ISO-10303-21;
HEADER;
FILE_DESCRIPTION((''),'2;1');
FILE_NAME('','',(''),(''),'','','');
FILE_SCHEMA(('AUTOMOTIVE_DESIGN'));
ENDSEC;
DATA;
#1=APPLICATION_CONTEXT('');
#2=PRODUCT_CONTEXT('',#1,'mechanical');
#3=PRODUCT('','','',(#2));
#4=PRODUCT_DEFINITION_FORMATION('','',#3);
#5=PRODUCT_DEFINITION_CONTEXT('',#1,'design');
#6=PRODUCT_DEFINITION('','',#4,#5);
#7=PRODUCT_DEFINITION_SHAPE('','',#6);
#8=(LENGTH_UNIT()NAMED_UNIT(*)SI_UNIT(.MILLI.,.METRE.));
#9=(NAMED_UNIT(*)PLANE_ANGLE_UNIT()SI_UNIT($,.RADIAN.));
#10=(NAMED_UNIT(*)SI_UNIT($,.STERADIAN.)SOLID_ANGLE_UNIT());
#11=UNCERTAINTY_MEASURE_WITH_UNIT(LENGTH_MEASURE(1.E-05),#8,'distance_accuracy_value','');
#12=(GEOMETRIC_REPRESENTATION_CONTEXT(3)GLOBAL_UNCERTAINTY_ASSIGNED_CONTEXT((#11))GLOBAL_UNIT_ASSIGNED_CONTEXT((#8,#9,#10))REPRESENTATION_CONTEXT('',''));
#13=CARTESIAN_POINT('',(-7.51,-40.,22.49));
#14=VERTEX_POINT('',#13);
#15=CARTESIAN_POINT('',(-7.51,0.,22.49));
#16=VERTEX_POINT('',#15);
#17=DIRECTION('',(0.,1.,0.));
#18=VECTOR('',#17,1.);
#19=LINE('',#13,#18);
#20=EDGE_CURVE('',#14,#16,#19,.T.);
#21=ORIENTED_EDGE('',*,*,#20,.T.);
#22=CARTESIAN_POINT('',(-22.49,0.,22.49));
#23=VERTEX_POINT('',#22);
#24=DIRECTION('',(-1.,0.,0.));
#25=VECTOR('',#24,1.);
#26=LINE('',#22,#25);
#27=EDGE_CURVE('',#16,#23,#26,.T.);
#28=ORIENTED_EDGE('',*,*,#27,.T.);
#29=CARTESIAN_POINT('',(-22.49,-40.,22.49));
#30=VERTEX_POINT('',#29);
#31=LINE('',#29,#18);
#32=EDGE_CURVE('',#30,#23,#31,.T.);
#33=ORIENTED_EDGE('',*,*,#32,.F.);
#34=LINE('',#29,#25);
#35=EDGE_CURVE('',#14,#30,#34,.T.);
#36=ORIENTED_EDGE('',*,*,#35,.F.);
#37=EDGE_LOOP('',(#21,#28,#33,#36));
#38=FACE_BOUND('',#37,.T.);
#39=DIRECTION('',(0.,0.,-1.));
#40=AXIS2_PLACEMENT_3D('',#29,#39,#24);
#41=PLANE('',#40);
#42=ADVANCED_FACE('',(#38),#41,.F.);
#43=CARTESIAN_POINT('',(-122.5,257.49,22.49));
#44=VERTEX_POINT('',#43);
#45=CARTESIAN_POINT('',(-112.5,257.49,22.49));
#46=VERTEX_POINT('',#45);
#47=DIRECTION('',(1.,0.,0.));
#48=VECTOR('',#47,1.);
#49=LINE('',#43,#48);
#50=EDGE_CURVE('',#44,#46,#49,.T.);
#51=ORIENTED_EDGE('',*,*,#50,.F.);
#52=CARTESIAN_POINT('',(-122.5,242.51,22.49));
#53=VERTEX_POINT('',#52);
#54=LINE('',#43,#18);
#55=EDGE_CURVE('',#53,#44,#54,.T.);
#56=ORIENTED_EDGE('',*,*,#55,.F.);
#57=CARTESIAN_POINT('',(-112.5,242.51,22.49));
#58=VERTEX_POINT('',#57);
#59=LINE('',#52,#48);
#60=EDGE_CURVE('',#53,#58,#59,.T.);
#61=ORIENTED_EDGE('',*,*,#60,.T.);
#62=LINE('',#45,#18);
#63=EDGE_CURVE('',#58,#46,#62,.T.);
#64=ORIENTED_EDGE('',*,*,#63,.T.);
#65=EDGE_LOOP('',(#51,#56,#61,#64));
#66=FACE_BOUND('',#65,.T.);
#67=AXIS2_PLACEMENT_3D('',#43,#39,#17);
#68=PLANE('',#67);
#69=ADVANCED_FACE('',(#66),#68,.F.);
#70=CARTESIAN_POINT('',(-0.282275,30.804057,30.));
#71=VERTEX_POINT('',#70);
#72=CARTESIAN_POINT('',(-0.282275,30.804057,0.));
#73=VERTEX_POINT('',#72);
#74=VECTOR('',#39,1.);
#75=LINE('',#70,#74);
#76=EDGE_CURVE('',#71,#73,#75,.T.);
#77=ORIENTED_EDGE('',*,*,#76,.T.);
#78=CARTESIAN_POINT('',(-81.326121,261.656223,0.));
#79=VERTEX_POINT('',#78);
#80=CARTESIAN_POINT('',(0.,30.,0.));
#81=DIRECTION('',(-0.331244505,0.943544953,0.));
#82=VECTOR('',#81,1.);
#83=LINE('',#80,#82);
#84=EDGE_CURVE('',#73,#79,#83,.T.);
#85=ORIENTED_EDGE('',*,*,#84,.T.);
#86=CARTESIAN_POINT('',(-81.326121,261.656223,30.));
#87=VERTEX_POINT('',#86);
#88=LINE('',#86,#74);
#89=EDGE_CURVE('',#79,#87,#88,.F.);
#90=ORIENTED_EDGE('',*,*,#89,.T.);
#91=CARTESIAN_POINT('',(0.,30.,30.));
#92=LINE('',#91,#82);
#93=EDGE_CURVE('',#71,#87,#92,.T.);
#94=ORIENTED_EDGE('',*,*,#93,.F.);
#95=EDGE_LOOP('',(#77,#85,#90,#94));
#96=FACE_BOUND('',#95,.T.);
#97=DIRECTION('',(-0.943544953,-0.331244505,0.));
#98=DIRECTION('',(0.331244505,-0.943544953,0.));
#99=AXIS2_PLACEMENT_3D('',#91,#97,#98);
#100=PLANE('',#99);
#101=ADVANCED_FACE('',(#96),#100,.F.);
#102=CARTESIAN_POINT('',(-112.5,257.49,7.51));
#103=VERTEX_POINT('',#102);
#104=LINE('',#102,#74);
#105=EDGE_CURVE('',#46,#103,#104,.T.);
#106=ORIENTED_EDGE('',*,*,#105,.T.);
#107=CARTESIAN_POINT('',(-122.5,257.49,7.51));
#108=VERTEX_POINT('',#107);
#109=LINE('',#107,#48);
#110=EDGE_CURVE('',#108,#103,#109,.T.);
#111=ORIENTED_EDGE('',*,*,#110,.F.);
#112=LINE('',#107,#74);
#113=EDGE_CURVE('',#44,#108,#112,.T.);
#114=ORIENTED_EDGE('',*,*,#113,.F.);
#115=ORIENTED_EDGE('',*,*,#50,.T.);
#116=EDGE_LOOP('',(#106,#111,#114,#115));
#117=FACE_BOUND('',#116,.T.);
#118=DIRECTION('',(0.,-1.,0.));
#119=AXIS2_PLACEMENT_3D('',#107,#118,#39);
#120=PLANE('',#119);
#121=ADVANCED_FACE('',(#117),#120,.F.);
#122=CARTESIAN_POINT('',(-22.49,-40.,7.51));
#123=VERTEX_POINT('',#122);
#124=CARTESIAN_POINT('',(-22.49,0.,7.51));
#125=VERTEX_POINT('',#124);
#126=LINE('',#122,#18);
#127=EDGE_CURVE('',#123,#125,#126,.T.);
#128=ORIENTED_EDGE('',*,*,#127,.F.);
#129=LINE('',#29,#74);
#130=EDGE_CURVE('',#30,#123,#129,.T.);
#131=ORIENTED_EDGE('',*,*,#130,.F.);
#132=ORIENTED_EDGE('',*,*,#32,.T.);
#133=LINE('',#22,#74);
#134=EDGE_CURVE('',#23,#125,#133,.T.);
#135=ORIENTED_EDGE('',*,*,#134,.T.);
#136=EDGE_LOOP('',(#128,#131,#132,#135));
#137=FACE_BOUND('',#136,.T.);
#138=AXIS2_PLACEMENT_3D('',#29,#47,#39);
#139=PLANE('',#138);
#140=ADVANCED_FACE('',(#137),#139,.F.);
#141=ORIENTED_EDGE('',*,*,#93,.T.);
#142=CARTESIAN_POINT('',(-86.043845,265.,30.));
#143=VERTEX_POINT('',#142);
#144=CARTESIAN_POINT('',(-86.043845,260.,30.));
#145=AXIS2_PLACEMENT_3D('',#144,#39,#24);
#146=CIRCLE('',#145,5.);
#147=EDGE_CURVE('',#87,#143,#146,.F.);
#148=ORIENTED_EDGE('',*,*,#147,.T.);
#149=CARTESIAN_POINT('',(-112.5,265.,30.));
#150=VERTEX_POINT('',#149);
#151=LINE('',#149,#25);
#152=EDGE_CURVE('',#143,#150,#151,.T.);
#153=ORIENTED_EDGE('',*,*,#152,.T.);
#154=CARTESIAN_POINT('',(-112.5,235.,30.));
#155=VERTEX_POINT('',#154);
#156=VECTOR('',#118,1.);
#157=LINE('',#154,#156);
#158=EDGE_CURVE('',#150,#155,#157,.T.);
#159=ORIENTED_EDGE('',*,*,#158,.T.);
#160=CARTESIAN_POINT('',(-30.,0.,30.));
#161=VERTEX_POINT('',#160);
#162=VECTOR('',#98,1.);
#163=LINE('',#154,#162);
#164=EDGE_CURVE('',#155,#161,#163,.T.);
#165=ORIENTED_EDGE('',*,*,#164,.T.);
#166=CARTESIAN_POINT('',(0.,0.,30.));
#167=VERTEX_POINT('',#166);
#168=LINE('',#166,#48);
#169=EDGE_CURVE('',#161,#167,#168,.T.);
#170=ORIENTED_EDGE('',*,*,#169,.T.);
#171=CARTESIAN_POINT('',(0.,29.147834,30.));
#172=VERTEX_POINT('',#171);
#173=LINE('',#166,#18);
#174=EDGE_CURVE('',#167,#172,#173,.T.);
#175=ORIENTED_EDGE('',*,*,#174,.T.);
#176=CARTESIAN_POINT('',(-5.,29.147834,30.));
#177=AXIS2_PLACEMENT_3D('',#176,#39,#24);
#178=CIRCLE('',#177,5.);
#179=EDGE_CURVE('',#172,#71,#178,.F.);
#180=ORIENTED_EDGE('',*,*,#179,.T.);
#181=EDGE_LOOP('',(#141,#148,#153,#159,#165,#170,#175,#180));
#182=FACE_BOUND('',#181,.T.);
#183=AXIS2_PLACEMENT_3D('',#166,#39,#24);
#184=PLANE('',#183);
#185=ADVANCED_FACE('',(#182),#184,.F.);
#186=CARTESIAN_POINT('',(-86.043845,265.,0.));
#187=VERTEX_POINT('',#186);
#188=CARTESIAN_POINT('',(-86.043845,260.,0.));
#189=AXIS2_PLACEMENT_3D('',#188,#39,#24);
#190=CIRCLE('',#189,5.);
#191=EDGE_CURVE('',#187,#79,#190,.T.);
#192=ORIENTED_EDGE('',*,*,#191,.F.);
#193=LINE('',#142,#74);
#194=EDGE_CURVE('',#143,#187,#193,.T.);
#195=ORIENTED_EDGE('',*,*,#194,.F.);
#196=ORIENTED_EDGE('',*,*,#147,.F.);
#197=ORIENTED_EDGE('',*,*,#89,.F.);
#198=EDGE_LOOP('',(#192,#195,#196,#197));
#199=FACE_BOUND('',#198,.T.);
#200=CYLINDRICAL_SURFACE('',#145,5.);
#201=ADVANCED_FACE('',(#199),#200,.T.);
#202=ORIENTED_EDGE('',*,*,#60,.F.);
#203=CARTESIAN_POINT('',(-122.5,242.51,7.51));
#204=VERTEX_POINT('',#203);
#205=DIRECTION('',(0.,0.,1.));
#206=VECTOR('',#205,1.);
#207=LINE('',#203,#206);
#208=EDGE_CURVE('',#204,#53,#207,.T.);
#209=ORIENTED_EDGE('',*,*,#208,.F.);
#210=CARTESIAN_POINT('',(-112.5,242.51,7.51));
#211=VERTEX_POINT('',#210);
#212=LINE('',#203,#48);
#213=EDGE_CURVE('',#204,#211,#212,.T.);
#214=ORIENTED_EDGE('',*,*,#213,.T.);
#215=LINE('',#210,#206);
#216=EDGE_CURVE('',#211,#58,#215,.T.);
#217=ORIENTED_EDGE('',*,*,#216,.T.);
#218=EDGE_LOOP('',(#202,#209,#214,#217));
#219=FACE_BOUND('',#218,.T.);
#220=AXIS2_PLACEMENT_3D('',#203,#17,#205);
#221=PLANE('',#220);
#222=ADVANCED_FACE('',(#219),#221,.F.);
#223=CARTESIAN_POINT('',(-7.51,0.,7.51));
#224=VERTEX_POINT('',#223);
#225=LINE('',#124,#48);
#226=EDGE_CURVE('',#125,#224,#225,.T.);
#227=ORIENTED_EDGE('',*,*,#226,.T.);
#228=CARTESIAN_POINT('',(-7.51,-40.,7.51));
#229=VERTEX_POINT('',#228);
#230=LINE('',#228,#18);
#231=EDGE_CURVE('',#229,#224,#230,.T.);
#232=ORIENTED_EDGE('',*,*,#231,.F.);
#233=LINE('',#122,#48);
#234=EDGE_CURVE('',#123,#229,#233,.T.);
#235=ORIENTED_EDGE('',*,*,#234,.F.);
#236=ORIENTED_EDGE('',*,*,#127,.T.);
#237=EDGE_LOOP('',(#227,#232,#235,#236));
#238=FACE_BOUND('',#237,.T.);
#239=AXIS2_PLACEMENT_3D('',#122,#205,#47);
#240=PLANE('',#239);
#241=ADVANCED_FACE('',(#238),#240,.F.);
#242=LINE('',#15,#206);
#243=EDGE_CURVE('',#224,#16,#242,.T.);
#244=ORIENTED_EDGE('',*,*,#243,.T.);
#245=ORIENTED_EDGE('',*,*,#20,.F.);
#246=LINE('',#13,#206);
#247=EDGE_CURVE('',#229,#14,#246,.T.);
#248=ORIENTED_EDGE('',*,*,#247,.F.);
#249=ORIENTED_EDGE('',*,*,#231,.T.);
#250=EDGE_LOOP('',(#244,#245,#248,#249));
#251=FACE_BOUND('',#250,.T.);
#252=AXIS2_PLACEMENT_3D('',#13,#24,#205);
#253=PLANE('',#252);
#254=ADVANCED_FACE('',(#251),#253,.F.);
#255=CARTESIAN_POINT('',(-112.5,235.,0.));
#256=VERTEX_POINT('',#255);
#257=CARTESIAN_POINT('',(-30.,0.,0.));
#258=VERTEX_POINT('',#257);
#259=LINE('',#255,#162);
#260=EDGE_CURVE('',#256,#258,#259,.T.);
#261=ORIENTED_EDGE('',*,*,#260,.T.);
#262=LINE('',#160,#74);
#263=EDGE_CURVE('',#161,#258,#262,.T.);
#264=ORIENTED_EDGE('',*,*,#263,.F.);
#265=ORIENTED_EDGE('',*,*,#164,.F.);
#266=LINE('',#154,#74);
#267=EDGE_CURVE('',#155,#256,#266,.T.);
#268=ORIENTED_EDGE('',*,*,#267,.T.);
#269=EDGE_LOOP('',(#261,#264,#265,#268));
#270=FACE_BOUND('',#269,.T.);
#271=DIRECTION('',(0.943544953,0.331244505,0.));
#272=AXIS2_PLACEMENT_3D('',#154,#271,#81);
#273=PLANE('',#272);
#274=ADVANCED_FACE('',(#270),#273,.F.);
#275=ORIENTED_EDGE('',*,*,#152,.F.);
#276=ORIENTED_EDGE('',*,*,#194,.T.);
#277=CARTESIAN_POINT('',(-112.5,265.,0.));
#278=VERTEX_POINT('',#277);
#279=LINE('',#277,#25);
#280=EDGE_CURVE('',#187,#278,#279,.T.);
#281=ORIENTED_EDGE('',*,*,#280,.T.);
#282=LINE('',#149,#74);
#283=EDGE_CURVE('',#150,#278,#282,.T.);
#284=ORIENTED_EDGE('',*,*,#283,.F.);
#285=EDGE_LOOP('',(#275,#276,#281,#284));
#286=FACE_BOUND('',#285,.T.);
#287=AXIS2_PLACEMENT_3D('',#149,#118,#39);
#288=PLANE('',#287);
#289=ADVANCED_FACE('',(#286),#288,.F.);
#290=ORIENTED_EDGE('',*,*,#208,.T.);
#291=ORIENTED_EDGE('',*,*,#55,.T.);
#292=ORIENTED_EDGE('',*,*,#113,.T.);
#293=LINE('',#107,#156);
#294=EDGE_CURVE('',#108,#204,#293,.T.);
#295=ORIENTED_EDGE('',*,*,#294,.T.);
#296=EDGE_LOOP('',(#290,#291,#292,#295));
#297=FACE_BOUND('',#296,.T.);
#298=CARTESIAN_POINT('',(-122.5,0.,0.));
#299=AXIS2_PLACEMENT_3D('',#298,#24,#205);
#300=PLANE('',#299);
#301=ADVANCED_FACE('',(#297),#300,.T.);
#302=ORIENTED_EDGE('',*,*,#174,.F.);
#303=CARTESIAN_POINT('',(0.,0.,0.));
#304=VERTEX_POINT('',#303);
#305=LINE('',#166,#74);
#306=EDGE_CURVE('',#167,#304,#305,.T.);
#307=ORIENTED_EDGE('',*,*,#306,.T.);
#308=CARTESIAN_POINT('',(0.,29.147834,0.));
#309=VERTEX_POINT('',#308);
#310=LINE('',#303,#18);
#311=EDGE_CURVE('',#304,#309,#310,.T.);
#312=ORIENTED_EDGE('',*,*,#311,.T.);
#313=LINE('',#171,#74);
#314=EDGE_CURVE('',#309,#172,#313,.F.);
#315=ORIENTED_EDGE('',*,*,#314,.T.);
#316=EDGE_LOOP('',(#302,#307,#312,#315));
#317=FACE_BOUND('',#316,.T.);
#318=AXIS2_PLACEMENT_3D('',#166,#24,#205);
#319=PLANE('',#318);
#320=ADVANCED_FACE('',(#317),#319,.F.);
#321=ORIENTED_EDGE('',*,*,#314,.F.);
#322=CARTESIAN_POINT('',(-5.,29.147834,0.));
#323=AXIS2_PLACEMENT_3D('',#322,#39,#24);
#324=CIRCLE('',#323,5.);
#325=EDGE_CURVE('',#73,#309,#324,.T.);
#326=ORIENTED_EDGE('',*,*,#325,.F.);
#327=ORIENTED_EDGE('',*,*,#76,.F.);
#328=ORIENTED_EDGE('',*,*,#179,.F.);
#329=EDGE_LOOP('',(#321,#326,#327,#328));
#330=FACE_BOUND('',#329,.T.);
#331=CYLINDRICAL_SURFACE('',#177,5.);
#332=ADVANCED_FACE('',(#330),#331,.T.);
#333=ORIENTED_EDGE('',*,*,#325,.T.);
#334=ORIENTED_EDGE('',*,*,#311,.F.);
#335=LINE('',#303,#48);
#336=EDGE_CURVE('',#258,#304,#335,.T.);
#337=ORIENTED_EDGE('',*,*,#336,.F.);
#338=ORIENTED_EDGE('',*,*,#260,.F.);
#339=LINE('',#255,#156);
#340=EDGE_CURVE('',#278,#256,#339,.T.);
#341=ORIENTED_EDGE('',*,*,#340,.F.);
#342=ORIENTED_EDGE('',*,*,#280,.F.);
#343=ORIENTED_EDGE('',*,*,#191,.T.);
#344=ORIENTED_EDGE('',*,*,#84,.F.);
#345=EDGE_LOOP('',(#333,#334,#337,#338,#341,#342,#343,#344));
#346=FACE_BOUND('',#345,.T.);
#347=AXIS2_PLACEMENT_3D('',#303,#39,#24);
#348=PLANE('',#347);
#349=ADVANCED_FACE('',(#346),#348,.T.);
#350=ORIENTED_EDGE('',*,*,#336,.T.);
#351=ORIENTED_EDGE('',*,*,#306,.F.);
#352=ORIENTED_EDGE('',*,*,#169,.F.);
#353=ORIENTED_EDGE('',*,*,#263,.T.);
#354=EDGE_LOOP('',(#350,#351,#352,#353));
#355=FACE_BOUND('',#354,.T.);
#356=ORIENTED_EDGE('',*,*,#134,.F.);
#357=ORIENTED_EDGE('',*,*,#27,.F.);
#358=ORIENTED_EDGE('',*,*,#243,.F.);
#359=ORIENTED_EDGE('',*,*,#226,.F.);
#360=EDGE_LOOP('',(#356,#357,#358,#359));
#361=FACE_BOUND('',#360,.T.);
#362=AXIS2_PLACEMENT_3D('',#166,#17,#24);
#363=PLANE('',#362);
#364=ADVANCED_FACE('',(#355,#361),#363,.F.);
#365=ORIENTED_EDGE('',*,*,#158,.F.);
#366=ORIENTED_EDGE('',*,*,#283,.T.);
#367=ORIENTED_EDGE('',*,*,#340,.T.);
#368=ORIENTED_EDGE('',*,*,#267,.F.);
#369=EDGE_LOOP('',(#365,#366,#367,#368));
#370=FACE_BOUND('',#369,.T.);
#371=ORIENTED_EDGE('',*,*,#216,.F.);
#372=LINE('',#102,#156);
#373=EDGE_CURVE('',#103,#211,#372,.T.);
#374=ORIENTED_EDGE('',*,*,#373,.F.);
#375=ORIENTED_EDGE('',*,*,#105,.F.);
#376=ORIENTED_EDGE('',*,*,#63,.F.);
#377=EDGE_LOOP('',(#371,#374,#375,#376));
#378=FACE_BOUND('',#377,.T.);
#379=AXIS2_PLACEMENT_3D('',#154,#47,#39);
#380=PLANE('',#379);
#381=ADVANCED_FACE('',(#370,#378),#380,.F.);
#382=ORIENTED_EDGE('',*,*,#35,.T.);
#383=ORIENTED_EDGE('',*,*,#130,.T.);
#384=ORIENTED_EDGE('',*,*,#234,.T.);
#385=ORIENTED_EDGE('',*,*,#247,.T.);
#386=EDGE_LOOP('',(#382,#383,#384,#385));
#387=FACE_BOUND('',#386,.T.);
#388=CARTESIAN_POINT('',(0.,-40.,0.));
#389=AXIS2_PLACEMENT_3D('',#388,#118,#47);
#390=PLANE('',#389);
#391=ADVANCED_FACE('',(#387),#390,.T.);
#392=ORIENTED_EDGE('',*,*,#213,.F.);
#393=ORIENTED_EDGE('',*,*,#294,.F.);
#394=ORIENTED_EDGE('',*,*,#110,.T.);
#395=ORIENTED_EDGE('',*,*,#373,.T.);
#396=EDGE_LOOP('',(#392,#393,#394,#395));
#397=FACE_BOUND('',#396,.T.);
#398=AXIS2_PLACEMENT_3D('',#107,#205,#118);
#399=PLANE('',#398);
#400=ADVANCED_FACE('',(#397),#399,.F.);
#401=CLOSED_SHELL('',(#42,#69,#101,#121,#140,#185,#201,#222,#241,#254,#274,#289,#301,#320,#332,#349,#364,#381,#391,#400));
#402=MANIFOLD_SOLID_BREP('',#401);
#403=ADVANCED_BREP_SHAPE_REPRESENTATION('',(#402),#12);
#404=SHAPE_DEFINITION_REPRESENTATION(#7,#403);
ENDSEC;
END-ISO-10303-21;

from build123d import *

# Parameters (mm, degrees)
BOSS_EXTRUDE1_DEPTH = 30
SKETCH2_W           = 14.98
SKETCH2_H           = 14.98
BOSS_EXTRUDE2_DEPTH = 10
SKETCH3_W           = 14.98
SKETCH3_H           = 14.98
BOSS_EXTRUDE3_DEPTH = 40
FILLET1_R           = 5


with BuildPart() as part:
    # Sketch1 → Boss-Extrude1 (new body)
    with BuildSketch(Plane.XY):
        Polygon((0, 0), (-30, 0), (-112.5, 235), (-112.5, 265), (-82.5, 265), (0, 30), align=None)
    extrude(amount=BOSS_EXTRUDE1_DEPTH)

    # Sketch2 → Boss-Extrude2 (add)
    with BuildSketch(Plane.ZY.offset(112.5)):
        with Locations((15, 250)):
            Rectangle(SKETCH2_W, SKETCH2_H)
    extrude(amount=BOSS_EXTRUDE2_DEPTH)

    # Sketch3 → Boss-Extrude3 (add)
    with BuildSketch(Plane.XZ):
        with Locations((-15, 15)):
            Rectangle(SKETCH3_W, SKETCH3_H)
    extrude(amount=BOSS_EXTRUDE3_DEPTH)

    # Fillet1
    fillet1_edges = [part.edges().sort_by_distance(p)[0] for p in [
        (-82.5, 265, 15),
        (0, 30, 15),
    ]]
    fillet(fillet1_edges, radius=FILLET1_R)


solid = part.part
